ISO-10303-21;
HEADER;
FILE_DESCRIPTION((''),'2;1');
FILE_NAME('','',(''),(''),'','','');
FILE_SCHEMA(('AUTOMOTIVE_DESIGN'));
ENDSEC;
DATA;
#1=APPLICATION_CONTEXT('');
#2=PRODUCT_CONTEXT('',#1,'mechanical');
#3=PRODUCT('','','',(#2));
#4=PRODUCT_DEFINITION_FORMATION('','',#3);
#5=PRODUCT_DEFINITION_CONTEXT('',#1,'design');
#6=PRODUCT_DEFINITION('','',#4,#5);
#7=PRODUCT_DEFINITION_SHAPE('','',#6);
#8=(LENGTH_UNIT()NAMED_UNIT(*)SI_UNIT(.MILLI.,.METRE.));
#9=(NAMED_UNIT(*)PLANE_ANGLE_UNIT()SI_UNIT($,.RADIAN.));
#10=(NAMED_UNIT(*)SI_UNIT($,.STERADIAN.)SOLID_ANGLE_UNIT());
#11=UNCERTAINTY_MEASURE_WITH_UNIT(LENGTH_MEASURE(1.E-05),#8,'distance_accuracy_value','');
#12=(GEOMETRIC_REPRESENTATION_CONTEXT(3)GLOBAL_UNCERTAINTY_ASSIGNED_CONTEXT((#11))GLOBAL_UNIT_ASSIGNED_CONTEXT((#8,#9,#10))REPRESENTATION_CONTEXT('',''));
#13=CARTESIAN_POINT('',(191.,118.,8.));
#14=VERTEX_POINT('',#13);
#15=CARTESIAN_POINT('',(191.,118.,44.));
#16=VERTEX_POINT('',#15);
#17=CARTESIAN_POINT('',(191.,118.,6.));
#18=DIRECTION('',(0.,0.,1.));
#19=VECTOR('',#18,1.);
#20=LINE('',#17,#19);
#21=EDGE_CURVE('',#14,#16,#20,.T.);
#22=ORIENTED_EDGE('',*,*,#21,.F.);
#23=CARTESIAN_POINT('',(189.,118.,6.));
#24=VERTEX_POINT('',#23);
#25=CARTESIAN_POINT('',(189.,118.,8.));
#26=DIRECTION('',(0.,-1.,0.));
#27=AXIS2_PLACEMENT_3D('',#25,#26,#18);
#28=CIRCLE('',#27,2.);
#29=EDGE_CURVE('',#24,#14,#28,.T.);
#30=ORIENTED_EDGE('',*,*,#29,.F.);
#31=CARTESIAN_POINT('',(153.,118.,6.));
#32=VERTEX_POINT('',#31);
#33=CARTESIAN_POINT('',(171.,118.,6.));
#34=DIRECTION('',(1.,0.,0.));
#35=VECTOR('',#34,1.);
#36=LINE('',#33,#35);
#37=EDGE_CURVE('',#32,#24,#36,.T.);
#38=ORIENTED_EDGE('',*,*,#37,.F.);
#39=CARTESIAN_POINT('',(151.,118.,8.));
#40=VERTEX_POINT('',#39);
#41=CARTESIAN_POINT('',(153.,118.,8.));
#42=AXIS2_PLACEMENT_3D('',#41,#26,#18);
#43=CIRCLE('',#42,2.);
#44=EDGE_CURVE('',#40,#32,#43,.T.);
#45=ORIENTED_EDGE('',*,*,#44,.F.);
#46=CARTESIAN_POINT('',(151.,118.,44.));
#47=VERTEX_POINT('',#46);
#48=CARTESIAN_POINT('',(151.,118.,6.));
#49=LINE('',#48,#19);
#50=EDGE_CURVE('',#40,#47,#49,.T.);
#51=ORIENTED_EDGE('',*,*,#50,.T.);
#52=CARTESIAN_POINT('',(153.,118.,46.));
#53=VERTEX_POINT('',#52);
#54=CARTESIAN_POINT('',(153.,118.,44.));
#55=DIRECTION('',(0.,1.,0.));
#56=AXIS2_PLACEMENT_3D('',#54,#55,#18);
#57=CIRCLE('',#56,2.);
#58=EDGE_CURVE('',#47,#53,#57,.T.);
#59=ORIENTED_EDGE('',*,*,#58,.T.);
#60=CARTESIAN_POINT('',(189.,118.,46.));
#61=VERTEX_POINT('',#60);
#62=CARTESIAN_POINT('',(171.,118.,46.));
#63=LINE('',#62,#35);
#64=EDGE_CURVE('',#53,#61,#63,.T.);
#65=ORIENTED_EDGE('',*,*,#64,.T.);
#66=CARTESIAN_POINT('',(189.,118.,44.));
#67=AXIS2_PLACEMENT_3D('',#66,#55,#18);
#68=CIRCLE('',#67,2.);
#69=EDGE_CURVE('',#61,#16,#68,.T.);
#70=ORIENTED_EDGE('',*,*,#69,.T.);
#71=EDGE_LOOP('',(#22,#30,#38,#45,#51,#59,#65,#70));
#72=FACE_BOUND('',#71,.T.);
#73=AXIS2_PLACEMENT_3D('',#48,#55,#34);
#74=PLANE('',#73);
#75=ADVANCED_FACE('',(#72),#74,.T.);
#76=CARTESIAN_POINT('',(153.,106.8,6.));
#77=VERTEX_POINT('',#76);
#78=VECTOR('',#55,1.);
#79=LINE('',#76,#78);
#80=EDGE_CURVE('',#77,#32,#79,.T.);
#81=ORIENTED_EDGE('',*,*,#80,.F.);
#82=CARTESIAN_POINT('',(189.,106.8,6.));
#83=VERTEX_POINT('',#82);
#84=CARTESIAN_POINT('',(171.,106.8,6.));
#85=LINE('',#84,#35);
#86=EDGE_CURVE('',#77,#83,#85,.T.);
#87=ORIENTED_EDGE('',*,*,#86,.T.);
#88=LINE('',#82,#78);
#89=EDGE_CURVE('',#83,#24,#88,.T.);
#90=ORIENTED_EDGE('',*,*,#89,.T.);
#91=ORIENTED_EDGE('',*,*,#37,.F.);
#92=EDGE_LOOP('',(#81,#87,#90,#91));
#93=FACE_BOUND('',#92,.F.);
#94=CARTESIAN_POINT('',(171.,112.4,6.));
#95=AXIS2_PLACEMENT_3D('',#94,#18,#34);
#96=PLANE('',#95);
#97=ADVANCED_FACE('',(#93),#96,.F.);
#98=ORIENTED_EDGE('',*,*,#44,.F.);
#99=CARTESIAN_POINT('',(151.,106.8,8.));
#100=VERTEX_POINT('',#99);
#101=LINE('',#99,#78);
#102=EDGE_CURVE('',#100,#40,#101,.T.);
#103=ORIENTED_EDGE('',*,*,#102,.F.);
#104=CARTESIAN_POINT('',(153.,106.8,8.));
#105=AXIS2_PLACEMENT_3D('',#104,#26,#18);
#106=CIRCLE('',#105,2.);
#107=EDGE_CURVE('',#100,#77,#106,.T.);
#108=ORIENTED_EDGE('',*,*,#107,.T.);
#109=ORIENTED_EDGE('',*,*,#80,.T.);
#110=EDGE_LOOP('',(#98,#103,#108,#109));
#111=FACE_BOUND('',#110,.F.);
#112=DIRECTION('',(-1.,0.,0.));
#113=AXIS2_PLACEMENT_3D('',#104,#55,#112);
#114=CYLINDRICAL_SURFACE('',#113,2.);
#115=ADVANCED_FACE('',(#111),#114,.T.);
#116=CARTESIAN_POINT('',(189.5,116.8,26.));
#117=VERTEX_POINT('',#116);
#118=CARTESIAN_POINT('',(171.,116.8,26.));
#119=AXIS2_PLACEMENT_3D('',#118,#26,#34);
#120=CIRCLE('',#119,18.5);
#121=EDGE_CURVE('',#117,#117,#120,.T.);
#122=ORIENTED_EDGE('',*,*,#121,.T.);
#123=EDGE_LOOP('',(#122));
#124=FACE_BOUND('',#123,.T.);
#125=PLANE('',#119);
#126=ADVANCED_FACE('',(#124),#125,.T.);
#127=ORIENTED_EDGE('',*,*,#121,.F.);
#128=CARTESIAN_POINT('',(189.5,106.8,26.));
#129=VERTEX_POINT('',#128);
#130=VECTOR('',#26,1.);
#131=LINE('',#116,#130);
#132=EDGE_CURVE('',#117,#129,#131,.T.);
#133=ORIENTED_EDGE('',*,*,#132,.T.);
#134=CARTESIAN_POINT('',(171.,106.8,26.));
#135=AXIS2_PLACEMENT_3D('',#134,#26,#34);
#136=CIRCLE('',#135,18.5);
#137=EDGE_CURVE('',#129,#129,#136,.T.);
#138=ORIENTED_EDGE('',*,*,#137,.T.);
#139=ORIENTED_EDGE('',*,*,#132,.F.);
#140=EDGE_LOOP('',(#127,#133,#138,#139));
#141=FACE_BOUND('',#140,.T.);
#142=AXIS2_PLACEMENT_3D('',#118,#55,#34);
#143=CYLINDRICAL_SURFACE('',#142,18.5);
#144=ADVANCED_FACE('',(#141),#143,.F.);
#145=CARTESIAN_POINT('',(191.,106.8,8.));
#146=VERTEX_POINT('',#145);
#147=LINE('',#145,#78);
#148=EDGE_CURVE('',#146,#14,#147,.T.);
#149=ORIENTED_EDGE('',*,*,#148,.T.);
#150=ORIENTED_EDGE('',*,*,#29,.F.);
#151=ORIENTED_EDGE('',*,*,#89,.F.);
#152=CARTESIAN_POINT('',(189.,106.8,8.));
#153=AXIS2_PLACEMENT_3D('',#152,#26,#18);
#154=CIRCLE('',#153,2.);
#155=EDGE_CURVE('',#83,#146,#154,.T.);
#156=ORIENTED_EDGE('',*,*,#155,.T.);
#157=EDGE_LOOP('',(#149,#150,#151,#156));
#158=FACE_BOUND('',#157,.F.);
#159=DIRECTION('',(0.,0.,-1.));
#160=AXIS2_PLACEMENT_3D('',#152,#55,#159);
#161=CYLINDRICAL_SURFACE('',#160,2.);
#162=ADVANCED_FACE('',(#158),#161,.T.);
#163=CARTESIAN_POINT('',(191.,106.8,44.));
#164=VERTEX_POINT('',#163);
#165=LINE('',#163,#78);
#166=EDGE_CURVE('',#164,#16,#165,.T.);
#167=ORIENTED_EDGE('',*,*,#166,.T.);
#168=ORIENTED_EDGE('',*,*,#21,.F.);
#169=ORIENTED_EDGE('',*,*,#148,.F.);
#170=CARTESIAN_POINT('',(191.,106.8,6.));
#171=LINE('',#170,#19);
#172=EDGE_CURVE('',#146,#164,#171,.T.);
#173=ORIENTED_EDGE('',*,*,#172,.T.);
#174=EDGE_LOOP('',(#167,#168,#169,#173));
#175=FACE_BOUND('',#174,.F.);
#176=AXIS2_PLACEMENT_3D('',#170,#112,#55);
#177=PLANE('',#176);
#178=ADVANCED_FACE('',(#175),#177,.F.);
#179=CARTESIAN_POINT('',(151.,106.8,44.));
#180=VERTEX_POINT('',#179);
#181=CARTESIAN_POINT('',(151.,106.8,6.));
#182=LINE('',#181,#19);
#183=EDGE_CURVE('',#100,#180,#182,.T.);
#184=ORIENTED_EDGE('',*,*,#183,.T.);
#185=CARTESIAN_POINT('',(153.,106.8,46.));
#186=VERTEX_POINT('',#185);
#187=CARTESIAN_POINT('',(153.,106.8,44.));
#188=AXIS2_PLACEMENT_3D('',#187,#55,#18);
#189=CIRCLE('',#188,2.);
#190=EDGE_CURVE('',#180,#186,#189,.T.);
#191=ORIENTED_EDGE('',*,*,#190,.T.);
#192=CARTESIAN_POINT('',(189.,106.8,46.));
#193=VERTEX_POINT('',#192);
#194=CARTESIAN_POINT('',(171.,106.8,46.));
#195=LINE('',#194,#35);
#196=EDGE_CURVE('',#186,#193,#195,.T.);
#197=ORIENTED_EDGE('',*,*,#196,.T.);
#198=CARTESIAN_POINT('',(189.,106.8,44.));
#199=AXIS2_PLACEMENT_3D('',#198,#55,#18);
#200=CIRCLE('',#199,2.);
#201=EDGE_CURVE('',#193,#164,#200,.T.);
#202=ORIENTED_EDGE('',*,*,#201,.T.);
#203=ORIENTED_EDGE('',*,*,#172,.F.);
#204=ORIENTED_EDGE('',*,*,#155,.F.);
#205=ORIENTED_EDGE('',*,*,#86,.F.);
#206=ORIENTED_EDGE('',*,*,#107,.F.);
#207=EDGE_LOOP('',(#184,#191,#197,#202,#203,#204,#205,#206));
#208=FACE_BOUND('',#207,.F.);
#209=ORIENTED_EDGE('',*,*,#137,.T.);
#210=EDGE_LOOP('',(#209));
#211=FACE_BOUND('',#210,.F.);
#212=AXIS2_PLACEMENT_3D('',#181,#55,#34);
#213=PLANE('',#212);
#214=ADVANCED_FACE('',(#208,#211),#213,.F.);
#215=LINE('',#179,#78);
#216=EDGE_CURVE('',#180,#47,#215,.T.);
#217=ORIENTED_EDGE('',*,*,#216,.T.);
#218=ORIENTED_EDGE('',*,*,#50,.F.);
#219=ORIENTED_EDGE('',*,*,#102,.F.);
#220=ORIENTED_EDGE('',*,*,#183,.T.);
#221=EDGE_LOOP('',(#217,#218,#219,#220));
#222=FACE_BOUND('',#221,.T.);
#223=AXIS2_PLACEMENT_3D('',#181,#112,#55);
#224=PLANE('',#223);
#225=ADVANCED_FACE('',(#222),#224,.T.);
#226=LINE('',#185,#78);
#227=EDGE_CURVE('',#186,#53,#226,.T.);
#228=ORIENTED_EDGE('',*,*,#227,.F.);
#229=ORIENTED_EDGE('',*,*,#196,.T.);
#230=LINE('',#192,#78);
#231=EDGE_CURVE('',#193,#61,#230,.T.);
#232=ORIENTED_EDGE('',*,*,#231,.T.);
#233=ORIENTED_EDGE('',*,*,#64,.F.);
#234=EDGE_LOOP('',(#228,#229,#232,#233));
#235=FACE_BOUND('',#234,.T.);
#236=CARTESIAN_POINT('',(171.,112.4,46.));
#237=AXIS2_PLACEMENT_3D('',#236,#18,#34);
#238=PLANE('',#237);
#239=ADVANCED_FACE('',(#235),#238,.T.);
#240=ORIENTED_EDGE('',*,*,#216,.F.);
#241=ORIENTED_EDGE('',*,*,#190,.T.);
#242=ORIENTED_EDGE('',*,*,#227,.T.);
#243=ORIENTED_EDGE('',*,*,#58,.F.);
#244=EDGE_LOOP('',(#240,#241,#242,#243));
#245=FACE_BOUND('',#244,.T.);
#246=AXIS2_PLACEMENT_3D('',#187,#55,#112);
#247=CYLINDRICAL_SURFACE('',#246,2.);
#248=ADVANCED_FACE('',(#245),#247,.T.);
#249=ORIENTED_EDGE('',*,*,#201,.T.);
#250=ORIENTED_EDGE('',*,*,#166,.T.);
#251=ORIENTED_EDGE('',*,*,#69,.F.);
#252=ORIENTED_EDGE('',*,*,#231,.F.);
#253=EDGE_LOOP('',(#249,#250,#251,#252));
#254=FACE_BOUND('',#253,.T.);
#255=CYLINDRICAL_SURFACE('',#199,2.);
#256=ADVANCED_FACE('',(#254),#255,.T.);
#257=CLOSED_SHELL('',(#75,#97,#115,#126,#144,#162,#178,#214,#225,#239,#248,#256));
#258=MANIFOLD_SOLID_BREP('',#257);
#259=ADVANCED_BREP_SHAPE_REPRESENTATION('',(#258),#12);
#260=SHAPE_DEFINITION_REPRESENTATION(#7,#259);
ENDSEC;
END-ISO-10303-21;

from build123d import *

# Parameters (mm, degrees)
CYLINDER057_R        = 18.5
CYLINDER057_DEPTH    = 10
BOX085108_W          = 40
BOX085108_H          = 11.2
BOX085108_DEPTH      = 40
FILLET005011017060_R = 2


with BuildPart() as cylinder057:
    # Cylinder057 → Cylinder057 (new body)
    with BuildSketch(Plane(origin=(20, 10, 20), x_dir=(1, 0, 0), z_dir=(0, -1, 0))):
        Circle(CYLINDER057_R)
    extrude(amount=CYLINDER057_DEPTH)


with BuildPart() as f_40mm_fan:
    # Box085108 → Box085108 (new body)
    with BuildSketch(Plane.XY):
        with Locations((20, 5.6)):
            Rectangle(BOX085108_W, BOX085108_H)
    extrude(amount=BOX085108_DEPTH)

    # Cut001002016030: cut Cylinder057
    add(cylinder057.part, mode=Mode.SUBTRACT)

    # Fillet005011017060
    fillet005011017060_edges = [f_40mm_fan.edges().sort_by_distance(p)[0] for p in [
        (0, 5.6, 40),
        (0, 5.6, 0),
        (40, 5.6, 40),
        (40, 5.6, 0),
    ]]
    fillet(fillet005011017060_edges, radius=FILLET005011017060_R)


with BuildPart() as f_40mm_fan_1:
    # Fillet005011017060 placement: moved
    add(f_40mm_fan.part.moved(Location((151, 106.8, 6))))


solid = f_40mm_fan_1.part
